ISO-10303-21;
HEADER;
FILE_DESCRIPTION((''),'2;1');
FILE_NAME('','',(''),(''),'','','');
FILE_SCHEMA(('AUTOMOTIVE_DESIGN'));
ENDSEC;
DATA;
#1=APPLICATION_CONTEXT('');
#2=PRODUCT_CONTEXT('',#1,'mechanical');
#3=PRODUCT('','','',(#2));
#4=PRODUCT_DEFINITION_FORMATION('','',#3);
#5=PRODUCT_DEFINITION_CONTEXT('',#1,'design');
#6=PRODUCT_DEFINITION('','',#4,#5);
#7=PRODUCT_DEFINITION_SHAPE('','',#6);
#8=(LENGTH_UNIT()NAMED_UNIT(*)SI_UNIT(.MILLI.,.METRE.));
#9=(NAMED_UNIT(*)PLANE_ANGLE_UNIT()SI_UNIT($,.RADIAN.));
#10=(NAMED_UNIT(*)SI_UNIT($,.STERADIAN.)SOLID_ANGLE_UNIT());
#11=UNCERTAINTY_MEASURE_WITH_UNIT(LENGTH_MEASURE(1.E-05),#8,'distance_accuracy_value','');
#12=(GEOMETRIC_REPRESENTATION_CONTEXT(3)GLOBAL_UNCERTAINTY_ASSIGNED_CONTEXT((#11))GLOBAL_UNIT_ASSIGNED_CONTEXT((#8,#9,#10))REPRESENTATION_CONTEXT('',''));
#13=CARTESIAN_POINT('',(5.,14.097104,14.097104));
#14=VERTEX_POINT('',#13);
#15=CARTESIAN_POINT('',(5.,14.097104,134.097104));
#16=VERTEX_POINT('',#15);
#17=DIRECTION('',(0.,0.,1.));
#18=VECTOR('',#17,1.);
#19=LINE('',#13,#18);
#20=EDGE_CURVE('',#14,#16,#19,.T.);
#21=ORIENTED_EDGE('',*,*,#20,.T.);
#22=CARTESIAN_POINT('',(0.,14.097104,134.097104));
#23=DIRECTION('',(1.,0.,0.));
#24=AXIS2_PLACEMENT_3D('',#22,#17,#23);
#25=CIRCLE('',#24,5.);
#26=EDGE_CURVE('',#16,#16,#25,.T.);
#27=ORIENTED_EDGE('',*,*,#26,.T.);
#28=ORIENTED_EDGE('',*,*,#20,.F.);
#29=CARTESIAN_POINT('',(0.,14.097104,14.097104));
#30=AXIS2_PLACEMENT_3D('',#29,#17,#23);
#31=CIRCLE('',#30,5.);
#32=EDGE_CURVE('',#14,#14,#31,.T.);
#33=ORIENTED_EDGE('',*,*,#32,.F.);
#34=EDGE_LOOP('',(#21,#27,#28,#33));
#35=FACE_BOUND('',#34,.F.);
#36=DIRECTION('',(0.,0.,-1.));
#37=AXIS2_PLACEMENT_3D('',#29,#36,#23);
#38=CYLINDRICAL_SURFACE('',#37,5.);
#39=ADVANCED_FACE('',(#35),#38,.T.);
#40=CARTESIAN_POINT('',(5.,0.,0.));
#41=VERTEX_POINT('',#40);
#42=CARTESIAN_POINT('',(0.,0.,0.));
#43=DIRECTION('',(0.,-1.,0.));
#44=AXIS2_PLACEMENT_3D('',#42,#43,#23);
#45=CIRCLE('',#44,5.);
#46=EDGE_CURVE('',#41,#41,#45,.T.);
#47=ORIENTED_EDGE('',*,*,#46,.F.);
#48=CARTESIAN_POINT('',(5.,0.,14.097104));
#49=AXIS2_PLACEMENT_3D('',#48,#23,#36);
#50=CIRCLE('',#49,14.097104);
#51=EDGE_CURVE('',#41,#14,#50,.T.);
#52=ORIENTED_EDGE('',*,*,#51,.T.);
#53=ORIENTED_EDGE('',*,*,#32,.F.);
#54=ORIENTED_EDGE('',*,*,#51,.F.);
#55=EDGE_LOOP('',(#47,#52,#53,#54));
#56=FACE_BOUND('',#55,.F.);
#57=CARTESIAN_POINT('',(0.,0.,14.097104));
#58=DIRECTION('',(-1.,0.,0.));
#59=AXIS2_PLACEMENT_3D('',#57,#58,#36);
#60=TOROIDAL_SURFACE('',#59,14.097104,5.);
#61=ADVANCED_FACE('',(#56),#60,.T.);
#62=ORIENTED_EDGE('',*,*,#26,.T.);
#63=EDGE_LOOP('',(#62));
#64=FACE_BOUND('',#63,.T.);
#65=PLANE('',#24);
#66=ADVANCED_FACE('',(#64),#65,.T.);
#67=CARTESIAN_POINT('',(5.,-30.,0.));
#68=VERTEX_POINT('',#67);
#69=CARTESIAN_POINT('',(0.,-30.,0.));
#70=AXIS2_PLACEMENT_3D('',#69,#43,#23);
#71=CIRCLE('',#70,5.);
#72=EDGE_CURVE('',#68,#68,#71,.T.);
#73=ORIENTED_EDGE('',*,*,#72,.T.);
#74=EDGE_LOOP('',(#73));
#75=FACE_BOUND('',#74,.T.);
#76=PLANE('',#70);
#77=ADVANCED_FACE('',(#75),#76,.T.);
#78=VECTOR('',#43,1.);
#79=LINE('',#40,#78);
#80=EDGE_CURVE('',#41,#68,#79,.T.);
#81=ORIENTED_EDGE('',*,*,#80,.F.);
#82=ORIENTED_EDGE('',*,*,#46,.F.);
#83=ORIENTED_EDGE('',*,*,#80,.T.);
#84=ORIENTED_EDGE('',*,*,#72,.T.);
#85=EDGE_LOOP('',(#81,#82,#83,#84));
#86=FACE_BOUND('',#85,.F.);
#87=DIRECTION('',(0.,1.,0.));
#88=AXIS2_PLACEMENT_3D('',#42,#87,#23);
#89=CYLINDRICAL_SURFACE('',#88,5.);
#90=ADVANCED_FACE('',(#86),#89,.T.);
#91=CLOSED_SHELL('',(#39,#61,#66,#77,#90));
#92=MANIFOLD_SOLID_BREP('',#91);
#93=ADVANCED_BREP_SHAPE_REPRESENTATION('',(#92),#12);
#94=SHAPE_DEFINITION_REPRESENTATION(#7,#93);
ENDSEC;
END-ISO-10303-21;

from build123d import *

# Parameters (mm, degrees)
F0_R      = 5
F1_DEPTH  = 30
F1_FACE_R = 5
F3_ANGLE  = 90
F4_DEPTH  = 120


with BuildPart() as f1:
    # F0 (on Front) → F1 (new body)
    with BuildSketch(Plane.XZ):
        Circle(F0_R)
    extrude(amount=F1_DEPTH)

    # F1_face (on face) → F3 (revolve)
    with BuildSketch(Plane(origin=(0, 0, 0), x_dir=(1, 0, 0), z_dir=(0, 1, 0))):
        Circle(F1_FACE_R)
    revolve(axis=Axis((-10.6502734125, 0, 14.0971038491), (1, 0, 0)), revolution_arc=F3_ANGLE)

    # F4 (add): a face of the model
    f4_faces = [f1.faces().sort_by_distance(p)[0] for p in [
        (0, 14.0971038491, 14.0971038491),
    ]]
    extrude(f4_faces, amount=F4_DEPTH)


solid = f1.part
